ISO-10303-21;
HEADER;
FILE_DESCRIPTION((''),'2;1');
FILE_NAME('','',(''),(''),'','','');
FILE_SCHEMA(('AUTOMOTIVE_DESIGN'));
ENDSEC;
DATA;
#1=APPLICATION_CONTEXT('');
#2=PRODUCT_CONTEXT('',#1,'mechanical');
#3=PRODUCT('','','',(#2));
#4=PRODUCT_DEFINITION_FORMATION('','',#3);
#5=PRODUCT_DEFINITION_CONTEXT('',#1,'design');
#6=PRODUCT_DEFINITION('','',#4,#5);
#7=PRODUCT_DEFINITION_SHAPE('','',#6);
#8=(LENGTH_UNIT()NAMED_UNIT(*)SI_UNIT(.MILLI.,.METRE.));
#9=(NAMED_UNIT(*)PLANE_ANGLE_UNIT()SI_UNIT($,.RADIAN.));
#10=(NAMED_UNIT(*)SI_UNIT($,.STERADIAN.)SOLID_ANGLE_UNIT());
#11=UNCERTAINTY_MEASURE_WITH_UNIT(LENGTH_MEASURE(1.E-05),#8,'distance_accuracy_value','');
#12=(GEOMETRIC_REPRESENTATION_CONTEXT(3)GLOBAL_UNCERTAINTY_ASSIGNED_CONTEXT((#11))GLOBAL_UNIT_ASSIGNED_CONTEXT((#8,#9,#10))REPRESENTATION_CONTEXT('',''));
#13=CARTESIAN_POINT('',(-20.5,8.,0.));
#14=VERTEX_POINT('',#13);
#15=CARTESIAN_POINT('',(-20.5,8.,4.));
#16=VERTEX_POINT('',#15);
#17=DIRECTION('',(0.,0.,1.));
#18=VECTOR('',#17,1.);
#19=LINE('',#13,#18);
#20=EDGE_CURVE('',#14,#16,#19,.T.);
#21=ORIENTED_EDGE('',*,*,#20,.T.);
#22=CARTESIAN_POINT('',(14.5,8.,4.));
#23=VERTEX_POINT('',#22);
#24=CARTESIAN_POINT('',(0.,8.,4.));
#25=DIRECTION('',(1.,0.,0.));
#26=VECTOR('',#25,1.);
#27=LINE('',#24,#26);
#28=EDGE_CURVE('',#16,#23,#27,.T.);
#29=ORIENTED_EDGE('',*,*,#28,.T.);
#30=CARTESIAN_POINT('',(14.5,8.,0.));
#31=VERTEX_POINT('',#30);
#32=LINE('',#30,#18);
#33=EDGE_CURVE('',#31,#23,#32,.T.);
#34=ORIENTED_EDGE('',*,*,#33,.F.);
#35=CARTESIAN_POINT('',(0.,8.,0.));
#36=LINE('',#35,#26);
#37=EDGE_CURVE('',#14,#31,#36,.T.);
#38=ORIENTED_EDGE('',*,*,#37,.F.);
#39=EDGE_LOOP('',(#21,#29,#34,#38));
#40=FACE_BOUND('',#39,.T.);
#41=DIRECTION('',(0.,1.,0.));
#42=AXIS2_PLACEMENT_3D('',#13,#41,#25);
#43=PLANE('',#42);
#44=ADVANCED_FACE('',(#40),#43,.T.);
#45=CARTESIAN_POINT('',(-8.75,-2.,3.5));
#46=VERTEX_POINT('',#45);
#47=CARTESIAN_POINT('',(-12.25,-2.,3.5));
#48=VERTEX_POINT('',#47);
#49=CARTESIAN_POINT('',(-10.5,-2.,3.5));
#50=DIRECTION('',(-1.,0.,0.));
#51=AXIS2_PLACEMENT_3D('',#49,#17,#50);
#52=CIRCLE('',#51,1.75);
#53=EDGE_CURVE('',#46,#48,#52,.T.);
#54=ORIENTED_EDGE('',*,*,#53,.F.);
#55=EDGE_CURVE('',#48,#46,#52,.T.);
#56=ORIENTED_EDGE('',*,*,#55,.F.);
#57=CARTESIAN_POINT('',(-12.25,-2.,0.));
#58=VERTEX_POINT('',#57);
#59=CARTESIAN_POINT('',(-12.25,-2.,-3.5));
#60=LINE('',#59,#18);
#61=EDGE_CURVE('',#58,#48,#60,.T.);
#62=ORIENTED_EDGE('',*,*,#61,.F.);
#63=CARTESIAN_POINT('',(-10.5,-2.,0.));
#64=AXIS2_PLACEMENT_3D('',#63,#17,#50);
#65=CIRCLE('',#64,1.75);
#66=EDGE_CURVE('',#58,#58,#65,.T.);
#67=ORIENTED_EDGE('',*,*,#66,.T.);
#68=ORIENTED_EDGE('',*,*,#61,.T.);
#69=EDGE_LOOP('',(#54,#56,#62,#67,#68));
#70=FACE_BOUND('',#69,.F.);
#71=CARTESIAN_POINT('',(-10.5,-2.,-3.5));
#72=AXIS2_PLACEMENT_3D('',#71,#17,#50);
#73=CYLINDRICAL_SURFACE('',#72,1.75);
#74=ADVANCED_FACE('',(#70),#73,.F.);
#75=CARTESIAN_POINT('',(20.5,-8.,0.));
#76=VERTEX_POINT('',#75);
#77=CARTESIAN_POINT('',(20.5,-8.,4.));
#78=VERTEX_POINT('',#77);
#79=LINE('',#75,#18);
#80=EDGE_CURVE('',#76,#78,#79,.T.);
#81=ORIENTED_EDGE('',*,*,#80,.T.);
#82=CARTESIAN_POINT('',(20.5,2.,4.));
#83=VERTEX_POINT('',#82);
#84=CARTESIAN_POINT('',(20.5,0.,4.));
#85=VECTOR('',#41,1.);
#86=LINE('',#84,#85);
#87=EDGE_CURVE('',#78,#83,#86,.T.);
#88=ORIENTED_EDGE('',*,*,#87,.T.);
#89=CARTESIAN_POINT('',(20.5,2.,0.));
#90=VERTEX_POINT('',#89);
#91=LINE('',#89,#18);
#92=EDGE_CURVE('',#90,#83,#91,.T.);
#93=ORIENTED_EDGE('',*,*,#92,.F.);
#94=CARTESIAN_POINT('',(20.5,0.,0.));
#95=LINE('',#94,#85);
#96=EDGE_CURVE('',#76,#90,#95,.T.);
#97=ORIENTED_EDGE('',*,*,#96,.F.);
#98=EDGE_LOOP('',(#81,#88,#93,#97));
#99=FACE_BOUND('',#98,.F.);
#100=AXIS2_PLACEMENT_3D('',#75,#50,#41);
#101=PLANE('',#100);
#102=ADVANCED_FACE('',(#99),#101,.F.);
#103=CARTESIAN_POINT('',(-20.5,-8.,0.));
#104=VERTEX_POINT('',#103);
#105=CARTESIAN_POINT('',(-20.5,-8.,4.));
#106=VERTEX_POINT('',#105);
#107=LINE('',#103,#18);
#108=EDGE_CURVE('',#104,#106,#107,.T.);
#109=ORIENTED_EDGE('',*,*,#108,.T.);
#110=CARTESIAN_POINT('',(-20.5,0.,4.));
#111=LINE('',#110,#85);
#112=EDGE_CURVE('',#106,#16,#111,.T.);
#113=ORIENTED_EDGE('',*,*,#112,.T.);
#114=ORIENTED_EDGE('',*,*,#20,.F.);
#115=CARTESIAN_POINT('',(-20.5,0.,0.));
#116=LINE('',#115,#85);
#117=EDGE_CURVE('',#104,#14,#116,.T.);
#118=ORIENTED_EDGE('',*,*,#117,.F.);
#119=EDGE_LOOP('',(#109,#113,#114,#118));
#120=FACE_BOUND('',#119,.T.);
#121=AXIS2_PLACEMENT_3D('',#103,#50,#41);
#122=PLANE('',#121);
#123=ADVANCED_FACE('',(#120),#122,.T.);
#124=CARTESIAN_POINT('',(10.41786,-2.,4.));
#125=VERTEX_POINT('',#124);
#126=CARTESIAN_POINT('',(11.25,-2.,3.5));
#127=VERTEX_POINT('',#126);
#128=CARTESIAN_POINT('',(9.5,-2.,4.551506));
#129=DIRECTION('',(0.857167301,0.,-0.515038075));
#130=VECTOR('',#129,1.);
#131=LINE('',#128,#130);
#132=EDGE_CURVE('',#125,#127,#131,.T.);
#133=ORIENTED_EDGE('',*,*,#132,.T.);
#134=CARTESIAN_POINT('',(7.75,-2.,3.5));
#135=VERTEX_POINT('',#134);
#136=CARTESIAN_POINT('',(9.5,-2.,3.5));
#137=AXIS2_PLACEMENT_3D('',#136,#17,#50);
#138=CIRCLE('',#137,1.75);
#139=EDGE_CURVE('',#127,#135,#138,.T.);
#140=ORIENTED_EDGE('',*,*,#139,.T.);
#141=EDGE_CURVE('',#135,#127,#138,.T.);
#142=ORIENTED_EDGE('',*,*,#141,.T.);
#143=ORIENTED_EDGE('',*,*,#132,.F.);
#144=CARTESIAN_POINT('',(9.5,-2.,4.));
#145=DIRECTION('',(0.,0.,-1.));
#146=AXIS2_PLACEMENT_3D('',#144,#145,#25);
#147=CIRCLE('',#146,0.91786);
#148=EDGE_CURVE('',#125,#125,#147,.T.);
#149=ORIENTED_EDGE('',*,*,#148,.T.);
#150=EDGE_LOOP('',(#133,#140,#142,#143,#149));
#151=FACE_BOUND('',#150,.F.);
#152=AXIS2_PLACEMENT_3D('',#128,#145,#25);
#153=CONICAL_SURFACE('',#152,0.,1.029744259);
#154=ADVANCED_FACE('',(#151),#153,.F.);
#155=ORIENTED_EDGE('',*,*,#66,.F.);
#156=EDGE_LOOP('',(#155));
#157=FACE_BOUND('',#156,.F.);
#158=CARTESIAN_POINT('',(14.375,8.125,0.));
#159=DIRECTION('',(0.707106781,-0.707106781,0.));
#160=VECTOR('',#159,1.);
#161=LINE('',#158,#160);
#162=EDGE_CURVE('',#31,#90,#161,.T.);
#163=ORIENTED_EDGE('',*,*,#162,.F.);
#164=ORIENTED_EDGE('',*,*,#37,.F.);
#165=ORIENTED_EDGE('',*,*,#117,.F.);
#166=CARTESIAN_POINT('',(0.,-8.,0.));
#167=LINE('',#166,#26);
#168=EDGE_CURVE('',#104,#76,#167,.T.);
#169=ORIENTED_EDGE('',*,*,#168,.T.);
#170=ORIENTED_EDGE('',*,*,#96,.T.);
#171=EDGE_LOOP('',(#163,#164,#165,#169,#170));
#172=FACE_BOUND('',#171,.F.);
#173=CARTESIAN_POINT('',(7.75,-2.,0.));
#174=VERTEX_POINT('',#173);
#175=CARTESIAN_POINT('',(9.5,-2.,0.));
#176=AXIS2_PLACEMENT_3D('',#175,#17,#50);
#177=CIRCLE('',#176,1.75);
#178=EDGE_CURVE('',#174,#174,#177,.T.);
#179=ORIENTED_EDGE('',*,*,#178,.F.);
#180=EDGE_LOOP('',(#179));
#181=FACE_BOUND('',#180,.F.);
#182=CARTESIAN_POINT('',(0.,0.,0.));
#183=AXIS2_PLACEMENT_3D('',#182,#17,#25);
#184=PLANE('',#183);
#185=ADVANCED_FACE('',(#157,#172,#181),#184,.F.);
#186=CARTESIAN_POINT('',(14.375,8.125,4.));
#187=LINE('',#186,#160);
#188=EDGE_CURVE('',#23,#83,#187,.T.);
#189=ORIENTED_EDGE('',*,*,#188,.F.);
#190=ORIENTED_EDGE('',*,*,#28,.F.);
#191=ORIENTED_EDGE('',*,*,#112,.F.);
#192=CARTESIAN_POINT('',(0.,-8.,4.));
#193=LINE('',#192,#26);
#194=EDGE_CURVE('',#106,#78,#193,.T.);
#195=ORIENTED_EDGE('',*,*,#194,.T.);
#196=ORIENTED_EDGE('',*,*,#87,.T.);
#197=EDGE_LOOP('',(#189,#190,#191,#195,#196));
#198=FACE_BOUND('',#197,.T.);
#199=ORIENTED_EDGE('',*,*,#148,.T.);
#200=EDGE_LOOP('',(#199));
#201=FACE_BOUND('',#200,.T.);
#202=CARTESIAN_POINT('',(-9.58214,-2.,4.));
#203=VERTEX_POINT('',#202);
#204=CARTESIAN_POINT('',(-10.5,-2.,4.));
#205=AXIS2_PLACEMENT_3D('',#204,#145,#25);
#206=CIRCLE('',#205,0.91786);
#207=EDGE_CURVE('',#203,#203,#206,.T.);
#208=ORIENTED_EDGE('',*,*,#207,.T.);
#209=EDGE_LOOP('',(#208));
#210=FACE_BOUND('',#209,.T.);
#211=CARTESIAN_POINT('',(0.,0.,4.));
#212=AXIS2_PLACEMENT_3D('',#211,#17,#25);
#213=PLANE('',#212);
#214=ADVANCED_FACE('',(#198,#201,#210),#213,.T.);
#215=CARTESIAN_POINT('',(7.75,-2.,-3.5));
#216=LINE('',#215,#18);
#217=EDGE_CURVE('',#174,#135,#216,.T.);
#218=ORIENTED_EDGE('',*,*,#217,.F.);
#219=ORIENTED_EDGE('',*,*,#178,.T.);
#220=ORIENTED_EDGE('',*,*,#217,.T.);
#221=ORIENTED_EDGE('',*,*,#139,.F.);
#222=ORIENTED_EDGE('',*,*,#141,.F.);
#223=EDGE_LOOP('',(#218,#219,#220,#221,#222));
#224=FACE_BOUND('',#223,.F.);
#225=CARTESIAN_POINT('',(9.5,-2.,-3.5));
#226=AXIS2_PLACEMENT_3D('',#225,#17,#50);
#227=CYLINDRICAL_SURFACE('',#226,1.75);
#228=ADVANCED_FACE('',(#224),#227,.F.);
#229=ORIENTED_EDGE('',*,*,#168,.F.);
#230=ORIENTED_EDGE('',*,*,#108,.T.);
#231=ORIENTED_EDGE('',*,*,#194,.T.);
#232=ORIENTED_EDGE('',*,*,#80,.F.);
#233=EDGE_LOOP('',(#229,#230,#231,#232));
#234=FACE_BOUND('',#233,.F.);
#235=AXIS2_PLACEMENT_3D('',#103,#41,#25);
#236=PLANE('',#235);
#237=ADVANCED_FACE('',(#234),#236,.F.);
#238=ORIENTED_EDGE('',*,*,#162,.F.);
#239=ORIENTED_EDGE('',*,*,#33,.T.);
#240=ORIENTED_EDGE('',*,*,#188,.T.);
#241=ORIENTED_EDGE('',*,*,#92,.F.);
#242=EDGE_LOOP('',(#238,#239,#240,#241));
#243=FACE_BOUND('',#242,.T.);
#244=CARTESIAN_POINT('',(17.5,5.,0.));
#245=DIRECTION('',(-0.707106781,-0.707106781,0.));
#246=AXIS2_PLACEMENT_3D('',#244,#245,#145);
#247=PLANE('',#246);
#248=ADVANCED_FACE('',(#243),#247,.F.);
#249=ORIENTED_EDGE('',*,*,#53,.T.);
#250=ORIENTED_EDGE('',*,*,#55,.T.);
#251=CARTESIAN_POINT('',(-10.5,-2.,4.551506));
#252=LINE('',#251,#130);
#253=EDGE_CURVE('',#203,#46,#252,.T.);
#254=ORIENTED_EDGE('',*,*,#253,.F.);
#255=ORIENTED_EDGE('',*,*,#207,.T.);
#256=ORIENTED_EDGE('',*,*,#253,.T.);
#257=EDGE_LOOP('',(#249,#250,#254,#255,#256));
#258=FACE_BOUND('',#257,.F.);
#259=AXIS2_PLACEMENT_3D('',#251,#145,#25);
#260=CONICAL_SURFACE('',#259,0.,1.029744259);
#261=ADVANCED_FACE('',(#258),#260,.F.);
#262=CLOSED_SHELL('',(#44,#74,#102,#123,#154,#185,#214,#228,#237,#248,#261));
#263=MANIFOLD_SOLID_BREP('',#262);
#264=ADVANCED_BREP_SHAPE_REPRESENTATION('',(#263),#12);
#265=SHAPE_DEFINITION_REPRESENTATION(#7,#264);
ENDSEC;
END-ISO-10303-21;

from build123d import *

# Parameters (mm, degrees)
F0_W     = 41
F0_H     = 16
F1_DEPTH = 4
F2_D     = 3.5
F2_DEPTH = 3.5
F2_TIP   = 1.0515060833
F3_SIZE  = 6


with BuildPart() as f1:
    # F0 (on Top) → F1 (new body)
    with BuildSketch(Plane.XY):
        Rectangle(F0_W, F0_H)
    extrude(amount=F1_DEPTH)

    # F2
    with Locations(Plane(origin=(0, 0, 0), x_dir=(1, 0, 0), z_dir=(0, 0, -1))):
        with Locations((-10.5, 2), (9.5, 2)):
            Hole(F2_D / 2, depth=F2_DEPTH)
            with Locations((0, 0, -(F2_DEPTH + F2_TIP / 2))):  # 118° drill point
                Cone(0, F2_D / 2, F2_TIP, mode=Mode.SUBTRACT)

    # F3
    f3_edges = [f1.edges().sort_by_distance(p)[0] for p in [
        (20.5, 8, 2),
    ]]
    chamfer(f3_edges, length=F3_SIZE)


solid = f1.part
